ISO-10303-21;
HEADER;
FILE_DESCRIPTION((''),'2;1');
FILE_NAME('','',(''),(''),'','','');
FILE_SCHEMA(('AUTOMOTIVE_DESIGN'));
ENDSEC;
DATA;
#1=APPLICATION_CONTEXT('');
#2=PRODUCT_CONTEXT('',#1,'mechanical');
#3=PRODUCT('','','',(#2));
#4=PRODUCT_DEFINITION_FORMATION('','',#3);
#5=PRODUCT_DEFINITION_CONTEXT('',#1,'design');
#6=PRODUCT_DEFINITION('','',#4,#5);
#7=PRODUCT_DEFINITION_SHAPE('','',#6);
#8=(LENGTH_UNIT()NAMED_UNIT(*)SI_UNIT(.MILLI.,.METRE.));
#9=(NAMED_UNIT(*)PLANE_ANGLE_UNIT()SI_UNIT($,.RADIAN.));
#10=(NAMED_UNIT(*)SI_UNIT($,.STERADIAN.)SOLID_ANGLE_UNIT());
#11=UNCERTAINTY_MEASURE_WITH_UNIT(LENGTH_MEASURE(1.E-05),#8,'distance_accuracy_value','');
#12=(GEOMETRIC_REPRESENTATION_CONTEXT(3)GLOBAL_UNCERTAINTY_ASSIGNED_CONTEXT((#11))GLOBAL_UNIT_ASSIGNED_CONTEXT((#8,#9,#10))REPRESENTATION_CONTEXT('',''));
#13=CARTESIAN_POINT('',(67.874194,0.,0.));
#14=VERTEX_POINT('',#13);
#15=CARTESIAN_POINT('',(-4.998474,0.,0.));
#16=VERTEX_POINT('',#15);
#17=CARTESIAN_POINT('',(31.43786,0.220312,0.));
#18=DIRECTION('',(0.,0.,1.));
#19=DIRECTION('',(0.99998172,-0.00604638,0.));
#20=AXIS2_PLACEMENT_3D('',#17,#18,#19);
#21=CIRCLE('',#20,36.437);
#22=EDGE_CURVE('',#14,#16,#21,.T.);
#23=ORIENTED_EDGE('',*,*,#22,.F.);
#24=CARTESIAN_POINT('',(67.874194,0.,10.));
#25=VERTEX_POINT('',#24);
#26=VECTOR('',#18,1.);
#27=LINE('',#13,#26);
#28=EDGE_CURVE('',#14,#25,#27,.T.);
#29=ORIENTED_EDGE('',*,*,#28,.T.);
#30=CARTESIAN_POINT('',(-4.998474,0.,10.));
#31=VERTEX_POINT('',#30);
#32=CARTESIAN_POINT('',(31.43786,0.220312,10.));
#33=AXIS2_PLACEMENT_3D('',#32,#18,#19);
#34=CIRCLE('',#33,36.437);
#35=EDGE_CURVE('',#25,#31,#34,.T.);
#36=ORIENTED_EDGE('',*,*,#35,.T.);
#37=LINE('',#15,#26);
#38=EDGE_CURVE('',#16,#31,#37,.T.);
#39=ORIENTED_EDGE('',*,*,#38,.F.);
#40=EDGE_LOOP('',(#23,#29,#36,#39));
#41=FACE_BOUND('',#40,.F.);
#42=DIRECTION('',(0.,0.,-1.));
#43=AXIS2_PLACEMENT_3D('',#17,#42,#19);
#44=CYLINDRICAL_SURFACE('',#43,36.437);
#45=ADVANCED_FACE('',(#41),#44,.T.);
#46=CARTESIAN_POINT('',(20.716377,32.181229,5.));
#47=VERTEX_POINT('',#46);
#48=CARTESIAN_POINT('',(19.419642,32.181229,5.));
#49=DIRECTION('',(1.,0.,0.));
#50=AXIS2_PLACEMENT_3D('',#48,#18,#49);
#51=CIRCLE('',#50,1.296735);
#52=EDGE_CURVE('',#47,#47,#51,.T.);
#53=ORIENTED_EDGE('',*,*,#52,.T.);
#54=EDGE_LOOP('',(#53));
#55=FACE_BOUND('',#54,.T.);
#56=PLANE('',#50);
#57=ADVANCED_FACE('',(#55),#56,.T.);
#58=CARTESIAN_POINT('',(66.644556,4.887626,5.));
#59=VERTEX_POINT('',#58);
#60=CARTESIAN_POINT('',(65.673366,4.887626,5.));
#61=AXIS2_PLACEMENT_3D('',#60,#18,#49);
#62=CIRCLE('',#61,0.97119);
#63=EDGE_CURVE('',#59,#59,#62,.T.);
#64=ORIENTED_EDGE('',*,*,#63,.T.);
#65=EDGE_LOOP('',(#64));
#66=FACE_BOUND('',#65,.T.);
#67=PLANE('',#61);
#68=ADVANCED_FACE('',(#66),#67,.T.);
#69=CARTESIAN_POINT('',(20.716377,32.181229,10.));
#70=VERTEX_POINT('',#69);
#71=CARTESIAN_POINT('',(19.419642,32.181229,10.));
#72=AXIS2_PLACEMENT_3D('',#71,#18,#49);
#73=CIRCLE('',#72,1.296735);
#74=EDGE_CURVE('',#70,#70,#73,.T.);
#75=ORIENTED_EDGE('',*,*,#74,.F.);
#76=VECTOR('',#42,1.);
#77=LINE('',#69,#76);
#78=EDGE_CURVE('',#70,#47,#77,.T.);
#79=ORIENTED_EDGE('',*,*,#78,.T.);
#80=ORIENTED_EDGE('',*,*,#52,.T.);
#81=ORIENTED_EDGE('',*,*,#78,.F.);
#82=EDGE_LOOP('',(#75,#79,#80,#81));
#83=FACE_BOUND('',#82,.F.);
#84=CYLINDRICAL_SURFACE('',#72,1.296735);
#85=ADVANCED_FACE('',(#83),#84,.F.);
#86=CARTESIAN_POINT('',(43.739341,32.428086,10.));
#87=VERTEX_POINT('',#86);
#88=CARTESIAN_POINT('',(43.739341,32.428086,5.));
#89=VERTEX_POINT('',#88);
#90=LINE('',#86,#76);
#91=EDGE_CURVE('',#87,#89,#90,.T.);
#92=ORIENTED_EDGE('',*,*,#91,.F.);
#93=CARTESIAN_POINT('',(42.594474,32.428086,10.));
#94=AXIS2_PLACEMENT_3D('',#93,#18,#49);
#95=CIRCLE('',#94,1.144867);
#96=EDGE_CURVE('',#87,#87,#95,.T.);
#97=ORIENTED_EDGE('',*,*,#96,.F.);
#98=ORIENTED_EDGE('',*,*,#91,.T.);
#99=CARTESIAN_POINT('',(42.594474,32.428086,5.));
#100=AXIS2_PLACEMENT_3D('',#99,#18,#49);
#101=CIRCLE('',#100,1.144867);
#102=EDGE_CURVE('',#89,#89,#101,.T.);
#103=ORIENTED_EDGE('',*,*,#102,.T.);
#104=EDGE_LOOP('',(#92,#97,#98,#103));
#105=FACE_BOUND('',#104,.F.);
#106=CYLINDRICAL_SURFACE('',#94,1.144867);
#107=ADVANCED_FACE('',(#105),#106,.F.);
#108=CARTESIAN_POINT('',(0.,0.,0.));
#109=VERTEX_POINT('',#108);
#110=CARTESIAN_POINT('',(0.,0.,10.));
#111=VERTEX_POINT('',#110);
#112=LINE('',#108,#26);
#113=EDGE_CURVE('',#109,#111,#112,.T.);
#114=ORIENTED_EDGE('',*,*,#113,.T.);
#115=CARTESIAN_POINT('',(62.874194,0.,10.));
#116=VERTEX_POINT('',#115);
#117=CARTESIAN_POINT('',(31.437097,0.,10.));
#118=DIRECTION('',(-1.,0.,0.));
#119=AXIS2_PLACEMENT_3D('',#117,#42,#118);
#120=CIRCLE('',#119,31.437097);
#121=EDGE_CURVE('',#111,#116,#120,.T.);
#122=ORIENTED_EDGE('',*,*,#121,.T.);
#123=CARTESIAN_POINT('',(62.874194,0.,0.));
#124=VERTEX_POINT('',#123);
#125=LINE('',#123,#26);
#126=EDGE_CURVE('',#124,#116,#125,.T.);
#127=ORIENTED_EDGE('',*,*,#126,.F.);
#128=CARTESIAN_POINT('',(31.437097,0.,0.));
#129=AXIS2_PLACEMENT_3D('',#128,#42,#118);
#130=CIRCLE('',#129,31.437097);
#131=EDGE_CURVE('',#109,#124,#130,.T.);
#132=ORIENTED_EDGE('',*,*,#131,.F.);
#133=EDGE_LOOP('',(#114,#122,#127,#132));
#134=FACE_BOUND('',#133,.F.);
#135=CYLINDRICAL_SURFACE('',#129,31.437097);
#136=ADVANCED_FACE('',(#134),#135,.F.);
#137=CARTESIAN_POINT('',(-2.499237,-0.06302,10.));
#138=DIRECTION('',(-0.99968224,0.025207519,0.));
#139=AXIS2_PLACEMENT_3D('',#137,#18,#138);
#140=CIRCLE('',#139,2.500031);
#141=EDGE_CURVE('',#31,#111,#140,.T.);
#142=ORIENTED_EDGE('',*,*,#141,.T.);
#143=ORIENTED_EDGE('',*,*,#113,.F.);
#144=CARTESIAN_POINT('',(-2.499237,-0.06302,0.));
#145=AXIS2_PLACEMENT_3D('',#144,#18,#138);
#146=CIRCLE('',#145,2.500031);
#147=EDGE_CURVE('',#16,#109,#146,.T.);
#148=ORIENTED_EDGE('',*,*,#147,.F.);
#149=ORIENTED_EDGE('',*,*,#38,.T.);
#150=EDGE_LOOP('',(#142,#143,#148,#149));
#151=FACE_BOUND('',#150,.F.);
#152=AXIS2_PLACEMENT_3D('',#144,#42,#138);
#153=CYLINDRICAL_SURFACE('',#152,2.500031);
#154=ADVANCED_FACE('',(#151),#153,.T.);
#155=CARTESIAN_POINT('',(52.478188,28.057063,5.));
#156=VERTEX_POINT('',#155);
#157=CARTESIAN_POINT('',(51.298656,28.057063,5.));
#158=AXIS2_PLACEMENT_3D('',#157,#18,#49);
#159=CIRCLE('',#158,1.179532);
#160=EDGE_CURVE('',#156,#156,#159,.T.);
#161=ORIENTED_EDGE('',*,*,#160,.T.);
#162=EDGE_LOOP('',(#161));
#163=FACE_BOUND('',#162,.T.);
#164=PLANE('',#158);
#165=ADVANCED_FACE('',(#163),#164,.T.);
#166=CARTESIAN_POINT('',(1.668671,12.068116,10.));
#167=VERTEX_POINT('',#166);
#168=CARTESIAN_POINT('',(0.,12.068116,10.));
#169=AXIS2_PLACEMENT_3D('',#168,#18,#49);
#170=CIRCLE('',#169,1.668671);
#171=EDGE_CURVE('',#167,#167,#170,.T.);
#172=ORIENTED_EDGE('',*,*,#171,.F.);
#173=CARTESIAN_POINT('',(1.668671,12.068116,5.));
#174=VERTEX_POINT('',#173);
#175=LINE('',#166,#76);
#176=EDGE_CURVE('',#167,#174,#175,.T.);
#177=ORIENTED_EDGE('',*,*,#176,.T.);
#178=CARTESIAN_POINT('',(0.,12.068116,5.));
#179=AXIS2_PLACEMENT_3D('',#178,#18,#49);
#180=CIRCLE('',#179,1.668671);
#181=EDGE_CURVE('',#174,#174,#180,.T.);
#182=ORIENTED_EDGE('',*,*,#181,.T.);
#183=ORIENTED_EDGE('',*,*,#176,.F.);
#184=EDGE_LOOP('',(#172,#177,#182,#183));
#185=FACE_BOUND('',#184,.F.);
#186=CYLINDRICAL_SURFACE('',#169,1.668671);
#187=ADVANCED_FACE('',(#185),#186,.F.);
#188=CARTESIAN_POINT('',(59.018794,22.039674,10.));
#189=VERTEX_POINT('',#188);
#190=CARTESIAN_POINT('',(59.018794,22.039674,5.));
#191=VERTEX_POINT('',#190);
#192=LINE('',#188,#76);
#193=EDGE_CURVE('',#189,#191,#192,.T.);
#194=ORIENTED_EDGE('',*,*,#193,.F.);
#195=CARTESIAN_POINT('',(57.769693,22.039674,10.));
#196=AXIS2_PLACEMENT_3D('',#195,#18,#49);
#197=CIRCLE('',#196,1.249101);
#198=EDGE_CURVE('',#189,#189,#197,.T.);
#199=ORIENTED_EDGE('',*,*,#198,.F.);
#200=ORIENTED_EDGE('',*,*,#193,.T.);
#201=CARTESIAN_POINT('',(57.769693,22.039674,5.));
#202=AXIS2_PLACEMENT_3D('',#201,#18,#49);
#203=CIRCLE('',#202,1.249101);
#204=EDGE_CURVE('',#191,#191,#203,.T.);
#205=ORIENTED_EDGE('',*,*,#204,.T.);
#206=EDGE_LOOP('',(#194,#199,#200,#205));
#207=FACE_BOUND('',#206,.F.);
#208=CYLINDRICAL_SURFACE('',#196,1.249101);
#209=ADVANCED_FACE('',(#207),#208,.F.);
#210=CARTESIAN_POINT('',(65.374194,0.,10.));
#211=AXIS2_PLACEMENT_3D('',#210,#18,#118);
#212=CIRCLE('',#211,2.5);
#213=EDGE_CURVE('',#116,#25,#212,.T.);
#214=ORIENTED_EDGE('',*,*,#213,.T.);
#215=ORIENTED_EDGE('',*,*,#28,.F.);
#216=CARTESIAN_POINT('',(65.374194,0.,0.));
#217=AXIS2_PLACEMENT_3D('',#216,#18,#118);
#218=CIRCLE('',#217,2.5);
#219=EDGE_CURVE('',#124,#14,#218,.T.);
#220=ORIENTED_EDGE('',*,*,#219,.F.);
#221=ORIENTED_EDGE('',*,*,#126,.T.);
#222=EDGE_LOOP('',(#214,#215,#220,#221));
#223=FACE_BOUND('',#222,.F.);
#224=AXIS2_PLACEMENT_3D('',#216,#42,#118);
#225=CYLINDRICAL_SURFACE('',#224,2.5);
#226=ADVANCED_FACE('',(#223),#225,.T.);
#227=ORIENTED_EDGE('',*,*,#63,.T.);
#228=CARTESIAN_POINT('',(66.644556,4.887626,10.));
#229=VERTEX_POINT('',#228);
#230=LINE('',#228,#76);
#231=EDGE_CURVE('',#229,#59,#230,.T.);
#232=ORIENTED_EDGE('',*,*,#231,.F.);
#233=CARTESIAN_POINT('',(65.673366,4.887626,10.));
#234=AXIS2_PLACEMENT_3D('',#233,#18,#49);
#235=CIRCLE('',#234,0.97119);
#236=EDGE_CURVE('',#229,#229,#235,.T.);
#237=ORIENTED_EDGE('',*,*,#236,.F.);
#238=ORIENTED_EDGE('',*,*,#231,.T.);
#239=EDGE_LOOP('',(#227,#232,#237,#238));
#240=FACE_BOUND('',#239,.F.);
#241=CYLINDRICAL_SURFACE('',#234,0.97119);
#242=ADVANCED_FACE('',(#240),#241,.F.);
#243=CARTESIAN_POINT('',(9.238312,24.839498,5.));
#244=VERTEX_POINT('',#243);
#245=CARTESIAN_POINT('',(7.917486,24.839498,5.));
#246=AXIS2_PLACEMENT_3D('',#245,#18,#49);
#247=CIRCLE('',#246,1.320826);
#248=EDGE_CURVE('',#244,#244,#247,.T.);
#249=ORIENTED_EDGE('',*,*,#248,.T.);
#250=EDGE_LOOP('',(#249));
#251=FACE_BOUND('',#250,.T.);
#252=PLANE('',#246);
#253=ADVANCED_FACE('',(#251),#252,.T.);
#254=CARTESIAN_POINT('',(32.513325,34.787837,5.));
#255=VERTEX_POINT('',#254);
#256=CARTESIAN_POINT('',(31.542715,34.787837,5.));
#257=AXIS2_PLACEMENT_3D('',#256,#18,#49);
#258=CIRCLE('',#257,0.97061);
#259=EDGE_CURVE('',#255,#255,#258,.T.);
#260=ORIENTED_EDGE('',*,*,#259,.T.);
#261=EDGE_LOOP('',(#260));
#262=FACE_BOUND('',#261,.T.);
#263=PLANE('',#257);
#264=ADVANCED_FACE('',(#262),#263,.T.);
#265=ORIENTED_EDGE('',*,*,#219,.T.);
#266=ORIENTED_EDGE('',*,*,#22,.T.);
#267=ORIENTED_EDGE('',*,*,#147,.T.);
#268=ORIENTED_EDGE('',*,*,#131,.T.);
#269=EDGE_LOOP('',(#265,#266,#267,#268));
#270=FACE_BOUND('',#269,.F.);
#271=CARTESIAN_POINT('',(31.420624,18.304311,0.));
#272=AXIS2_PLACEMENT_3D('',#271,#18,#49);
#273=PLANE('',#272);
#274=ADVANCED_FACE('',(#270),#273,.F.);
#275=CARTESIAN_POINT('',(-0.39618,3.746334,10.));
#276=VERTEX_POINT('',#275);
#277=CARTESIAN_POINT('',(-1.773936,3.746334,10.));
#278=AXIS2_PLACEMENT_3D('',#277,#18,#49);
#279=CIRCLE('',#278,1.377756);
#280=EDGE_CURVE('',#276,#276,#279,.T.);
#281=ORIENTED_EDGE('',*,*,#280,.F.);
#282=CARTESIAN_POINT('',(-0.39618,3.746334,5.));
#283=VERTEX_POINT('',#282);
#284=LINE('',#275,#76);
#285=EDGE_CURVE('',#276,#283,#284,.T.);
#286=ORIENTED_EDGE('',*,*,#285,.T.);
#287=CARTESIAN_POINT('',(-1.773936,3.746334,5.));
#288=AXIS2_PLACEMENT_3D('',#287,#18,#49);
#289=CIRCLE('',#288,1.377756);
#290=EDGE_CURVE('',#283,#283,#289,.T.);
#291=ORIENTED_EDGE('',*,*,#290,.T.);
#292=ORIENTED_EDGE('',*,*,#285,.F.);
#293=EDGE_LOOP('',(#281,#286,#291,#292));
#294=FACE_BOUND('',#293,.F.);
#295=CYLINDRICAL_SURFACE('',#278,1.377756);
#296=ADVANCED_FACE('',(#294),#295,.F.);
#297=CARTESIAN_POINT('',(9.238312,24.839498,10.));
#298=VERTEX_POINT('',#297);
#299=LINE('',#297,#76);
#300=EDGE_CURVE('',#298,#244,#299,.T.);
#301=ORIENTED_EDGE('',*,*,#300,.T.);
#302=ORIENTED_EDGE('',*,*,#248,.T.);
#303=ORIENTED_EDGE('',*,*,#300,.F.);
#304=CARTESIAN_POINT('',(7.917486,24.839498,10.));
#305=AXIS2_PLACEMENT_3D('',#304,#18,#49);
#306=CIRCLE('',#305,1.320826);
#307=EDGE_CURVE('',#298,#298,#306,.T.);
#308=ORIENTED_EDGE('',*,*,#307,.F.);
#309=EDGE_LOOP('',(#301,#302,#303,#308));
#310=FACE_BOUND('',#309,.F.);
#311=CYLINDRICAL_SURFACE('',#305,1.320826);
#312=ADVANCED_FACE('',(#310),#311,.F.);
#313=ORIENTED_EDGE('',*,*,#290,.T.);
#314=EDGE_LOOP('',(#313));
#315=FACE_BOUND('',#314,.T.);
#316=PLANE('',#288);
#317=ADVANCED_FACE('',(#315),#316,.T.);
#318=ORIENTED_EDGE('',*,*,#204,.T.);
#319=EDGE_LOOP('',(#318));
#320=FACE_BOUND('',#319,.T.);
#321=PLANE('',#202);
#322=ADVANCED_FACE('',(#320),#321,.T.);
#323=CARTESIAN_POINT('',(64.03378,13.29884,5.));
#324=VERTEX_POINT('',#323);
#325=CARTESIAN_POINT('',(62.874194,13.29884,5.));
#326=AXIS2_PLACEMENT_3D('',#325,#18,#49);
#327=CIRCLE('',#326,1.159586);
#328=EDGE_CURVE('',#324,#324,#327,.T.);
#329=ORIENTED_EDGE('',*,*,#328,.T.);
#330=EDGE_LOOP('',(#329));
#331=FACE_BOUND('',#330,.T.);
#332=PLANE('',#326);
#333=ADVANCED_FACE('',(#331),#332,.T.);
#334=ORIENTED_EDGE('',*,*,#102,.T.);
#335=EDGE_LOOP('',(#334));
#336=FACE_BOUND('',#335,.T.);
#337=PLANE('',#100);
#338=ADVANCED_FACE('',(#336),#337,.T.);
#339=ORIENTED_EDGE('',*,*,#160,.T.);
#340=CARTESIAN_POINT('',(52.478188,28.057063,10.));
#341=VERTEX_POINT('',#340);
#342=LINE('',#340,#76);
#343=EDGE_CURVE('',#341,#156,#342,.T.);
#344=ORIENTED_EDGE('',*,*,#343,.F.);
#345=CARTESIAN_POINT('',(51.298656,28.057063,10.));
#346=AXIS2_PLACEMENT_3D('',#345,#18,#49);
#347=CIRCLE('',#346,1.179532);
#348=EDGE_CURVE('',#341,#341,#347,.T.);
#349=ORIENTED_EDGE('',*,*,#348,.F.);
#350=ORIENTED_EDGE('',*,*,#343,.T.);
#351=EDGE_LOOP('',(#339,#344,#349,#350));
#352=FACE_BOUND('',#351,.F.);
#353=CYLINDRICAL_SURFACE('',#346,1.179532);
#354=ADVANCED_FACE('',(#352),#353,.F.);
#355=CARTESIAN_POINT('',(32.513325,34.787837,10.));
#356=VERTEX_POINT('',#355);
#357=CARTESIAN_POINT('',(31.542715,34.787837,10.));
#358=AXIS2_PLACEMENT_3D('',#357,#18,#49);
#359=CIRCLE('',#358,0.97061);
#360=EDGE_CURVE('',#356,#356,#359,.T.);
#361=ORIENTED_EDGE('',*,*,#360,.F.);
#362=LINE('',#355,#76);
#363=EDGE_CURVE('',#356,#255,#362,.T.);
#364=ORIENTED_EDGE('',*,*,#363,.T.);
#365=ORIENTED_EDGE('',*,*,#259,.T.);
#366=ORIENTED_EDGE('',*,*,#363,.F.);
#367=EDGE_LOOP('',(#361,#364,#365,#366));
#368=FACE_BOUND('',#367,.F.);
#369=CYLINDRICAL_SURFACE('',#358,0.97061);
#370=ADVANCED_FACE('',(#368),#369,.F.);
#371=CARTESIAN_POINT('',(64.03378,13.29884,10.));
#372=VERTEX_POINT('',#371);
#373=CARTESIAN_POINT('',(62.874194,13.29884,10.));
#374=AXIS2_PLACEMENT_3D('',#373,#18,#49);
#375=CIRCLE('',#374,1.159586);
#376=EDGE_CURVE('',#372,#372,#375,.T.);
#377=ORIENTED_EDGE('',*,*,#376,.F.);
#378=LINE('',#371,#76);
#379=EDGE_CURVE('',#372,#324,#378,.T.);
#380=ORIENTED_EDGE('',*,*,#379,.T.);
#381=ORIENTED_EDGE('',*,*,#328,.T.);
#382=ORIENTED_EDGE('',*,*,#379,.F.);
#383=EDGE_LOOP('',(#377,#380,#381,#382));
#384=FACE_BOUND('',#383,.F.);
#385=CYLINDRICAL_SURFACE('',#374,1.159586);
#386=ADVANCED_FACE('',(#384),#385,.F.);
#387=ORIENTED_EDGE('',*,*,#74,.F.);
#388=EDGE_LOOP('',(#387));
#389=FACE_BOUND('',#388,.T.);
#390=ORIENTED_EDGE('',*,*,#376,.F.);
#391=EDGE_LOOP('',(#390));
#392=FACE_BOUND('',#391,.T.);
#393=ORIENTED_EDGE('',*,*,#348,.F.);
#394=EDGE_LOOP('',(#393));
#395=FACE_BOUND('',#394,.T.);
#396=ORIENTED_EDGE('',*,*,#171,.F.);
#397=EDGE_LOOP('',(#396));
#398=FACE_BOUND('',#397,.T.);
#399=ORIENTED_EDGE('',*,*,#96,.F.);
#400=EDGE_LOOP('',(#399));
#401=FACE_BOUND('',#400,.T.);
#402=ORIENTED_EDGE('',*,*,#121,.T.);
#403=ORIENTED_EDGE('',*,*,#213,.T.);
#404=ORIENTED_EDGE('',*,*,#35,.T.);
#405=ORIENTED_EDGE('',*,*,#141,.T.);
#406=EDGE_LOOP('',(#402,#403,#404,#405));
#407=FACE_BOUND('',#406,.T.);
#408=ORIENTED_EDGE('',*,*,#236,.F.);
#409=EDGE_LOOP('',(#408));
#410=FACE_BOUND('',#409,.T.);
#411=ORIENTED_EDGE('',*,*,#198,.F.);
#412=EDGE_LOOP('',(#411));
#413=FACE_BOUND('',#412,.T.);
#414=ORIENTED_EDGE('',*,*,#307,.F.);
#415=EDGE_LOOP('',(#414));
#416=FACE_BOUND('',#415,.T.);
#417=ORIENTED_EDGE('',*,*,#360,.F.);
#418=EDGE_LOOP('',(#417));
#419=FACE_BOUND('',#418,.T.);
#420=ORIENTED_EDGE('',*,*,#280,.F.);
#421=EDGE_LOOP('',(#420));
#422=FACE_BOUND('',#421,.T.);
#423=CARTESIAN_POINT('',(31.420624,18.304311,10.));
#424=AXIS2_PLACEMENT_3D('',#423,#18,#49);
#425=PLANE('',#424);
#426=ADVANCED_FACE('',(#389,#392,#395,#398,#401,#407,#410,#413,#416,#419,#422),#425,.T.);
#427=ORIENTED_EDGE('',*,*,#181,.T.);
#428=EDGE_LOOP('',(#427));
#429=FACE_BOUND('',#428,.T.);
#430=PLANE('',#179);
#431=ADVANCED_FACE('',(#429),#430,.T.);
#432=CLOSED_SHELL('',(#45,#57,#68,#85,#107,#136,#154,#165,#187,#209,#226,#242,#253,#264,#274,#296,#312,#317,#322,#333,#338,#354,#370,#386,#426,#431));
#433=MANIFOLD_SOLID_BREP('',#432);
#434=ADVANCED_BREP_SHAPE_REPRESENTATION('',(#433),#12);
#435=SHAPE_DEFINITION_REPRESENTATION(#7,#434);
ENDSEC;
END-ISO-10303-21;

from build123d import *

# Parameters (mm, degrees)
F1_DEPTH = 10
F2_R     = 1.668671
F2_R_2   = 1.320826
F2_R_3   = 1.296735
F2_R_4   = 0.97061
F2_R_5   = 1.144867
F2_R_6   = 1.179532
F2_R_7   = 1.249101
F2_R_8   = 1.159586
F2_R_9   = 0.97119
F2_R_10  = 1.377756
F3_DEPTH = 5


with BuildPart() as f1:
    # F0 (on Top) → F1 (new body)
    with BuildSketch(Plane.XY):
        with BuildLine():
            ThreePointArc((0, 0), (31.437097, 31.437097), (62.874194, 0))
            ThreePointArc((62.874194, 0), (65.374194, -2.5), (67.874194, 0))
            ThreePointArc((67.874194, 0), (31.43786, 36.657312), (-4.998474, 0))
            ThreePointArc((-4.998474, 0), (-2.499237, -2.563051), (0, 0))
        make_face()
    extrude(amount=F1_DEPTH)

    # F2 (on face) → F3 (cut)
    with BuildSketch(Plane.XY.offset(10)):
        with Locations((0, 12.068116)):
            Circle(F2_R)
        with Locations((7.917486, 24.839498)):
            Circle(F2_R_2)
        with Locations((19.419642, 32.181229)):
            Circle(F2_R_3)
        with Locations((31.542715, 34.787837)):
            Circle(F2_R_4)
        with Locations((42.594474, 32.428086)):
            Circle(F2_R_5)
        with Locations((51.298656, 28.057063)):
            Circle(F2_R_6)
        with Locations((57.769693, 22.039674)):
            Circle(F2_R_7)
        with Locations((62.874194, 13.29884)):
            Circle(F2_R_8)
        with Locations((65.673366, 4.887626)):
            Circle(F2_R_9)
        with Locations((-1.773936, 3.746334)):
            Circle(F2_R_10)
    extrude(amount=-F3_DEPTH, mode=Mode.SUBTRACT)


solid = f1.part
